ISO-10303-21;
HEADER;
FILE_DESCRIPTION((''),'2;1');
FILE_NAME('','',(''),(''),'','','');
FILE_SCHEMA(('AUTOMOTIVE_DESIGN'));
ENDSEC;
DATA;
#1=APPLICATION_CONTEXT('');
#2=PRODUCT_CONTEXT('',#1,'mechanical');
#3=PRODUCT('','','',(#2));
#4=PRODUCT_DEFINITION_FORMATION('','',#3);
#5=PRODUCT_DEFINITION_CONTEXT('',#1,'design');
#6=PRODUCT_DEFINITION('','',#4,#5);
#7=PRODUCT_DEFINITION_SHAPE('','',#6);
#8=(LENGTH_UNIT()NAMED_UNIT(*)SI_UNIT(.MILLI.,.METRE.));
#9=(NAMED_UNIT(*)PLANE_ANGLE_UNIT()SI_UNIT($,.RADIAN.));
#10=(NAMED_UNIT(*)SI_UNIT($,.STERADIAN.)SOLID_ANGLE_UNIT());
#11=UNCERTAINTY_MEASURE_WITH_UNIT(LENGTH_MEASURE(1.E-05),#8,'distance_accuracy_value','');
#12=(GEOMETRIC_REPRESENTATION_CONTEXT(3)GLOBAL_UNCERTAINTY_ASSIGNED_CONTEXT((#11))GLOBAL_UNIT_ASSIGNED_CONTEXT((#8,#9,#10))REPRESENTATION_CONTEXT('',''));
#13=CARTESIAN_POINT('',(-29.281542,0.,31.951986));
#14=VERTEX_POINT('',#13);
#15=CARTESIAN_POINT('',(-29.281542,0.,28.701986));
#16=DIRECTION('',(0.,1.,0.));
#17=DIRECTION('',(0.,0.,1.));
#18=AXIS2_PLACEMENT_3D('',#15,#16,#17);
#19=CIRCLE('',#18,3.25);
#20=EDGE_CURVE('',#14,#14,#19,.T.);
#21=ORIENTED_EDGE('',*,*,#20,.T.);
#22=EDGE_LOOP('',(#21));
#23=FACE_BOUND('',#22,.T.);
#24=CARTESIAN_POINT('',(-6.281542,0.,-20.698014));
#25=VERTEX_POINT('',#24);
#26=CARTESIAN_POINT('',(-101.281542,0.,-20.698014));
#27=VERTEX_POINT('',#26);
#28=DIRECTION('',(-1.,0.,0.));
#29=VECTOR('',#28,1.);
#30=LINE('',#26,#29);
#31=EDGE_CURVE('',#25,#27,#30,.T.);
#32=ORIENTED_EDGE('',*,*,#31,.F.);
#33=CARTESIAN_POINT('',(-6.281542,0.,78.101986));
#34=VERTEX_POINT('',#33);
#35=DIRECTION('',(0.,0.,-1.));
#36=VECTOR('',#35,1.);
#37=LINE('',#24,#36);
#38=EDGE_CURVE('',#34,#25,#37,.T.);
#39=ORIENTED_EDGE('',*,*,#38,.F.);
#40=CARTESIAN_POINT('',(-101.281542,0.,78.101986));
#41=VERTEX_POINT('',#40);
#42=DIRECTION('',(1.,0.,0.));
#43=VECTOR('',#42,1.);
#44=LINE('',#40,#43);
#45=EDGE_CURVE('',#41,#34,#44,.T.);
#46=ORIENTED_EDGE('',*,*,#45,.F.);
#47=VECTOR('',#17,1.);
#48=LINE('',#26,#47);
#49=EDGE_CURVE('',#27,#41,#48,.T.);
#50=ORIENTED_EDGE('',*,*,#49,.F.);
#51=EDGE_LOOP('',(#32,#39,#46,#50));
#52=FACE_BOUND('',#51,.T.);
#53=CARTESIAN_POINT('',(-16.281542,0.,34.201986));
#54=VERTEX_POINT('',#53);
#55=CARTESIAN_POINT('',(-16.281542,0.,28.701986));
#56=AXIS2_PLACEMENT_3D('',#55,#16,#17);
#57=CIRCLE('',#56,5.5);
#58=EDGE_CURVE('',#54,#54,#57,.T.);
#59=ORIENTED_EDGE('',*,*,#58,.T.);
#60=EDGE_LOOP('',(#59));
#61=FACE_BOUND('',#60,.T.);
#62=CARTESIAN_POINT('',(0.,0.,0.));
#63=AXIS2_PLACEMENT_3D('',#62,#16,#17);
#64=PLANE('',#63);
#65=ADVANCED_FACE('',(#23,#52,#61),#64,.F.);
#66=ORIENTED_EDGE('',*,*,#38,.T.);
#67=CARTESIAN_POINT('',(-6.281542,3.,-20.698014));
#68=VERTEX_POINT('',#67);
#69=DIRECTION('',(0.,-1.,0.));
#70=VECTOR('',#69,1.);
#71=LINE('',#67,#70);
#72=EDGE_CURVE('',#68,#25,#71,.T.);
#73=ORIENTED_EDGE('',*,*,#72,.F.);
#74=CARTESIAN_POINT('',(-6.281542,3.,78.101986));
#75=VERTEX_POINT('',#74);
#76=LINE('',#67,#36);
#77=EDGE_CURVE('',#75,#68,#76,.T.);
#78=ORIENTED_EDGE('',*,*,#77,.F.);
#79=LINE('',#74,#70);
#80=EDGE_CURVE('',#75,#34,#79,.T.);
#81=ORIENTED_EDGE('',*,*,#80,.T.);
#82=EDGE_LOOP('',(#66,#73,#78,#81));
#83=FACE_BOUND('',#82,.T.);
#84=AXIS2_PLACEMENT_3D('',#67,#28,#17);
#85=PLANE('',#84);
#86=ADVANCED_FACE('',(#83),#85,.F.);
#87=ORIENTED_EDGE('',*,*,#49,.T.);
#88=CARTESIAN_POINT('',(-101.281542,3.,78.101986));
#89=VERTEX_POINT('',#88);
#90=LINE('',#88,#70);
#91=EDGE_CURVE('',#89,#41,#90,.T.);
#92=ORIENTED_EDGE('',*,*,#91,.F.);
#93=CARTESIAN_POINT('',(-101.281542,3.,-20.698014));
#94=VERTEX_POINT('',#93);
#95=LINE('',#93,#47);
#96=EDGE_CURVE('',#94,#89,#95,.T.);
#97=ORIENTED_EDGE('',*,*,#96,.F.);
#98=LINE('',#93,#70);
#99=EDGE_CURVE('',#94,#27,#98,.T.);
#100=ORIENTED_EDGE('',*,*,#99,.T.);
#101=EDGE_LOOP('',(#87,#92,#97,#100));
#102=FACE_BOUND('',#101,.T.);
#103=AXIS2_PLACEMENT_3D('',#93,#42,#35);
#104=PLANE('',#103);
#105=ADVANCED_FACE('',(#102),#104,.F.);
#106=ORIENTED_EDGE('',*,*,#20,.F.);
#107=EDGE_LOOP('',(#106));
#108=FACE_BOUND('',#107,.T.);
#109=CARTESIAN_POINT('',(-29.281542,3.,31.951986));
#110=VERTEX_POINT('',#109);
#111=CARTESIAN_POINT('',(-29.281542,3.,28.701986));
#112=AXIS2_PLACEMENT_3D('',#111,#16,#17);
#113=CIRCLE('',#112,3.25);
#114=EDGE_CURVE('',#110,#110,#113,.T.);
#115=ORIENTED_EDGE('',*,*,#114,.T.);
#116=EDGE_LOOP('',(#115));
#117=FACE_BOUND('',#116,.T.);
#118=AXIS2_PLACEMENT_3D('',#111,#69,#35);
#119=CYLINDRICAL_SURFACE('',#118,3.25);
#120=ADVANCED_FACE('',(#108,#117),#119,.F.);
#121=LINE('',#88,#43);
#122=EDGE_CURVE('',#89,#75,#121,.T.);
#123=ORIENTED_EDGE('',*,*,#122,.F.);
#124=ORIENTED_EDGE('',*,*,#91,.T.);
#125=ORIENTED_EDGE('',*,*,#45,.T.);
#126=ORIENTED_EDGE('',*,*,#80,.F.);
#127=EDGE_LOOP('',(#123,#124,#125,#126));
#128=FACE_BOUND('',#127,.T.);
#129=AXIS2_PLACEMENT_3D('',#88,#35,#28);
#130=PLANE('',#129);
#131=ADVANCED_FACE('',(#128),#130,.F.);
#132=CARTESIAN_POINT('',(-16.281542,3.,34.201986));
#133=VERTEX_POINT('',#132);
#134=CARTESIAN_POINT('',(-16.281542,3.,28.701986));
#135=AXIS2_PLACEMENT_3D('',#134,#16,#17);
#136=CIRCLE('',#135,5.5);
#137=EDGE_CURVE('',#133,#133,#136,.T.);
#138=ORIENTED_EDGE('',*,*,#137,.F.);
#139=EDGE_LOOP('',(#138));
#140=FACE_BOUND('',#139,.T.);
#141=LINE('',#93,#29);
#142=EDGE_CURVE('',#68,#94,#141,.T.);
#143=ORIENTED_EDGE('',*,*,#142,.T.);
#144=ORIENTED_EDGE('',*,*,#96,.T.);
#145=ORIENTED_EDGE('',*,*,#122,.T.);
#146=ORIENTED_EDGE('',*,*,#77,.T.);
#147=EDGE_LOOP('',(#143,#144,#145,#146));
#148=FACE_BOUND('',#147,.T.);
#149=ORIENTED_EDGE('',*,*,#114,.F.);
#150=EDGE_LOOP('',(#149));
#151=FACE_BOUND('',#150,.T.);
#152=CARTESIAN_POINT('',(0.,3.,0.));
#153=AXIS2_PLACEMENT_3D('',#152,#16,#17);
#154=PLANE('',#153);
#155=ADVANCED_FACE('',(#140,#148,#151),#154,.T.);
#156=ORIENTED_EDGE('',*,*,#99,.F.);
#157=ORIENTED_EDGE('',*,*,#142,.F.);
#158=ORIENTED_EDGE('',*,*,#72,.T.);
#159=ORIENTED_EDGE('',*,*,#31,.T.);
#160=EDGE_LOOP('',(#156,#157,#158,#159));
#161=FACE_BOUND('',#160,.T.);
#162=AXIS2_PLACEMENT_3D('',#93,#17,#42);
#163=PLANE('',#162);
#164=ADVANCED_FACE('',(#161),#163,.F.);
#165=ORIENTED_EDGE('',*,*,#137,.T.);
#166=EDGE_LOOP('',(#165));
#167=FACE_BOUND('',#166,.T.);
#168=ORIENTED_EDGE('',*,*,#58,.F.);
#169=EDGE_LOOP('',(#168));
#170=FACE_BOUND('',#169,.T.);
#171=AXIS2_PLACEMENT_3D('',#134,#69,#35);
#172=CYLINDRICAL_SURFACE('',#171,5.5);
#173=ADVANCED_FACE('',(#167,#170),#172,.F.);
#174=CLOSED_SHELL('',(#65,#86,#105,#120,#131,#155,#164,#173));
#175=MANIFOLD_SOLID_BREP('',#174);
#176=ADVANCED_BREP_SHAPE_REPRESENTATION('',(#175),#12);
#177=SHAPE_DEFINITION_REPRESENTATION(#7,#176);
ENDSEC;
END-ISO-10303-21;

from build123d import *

# Parameters (mm, degrees)
SKETCH1_W           = 95
SKETCH1_H           = 98.8
SKETCH1_R           = 5.5
SKETCH1_R_2         = 3.25
BOSS_EXTRUDE1_DEPTH = 3


with BuildPart() as part:
    # Sketch1 → Boss-Extrude1 (new body)
    with BuildSketch(Plane(origin=(0, 0, 0), x_dir=(1, 0, 0), z_dir=(0, 1, 0))):
        with Locations((-53.781542056, -28.701985981)):
            Rectangle(SKETCH1_W, SKETCH1_H)
        with Locations((-16.281542056, -28.701985981)):
            Circle(SKETCH1_R, mode=Mode.SUBTRACT)
        with Locations((-29.281542056, -28.701985981)):
            Circle(SKETCH1_R_2, mode=Mode.SUBTRACT)
    extrude(amount=BOSS_EXTRUDE1_DEPTH)


solid = part.part
